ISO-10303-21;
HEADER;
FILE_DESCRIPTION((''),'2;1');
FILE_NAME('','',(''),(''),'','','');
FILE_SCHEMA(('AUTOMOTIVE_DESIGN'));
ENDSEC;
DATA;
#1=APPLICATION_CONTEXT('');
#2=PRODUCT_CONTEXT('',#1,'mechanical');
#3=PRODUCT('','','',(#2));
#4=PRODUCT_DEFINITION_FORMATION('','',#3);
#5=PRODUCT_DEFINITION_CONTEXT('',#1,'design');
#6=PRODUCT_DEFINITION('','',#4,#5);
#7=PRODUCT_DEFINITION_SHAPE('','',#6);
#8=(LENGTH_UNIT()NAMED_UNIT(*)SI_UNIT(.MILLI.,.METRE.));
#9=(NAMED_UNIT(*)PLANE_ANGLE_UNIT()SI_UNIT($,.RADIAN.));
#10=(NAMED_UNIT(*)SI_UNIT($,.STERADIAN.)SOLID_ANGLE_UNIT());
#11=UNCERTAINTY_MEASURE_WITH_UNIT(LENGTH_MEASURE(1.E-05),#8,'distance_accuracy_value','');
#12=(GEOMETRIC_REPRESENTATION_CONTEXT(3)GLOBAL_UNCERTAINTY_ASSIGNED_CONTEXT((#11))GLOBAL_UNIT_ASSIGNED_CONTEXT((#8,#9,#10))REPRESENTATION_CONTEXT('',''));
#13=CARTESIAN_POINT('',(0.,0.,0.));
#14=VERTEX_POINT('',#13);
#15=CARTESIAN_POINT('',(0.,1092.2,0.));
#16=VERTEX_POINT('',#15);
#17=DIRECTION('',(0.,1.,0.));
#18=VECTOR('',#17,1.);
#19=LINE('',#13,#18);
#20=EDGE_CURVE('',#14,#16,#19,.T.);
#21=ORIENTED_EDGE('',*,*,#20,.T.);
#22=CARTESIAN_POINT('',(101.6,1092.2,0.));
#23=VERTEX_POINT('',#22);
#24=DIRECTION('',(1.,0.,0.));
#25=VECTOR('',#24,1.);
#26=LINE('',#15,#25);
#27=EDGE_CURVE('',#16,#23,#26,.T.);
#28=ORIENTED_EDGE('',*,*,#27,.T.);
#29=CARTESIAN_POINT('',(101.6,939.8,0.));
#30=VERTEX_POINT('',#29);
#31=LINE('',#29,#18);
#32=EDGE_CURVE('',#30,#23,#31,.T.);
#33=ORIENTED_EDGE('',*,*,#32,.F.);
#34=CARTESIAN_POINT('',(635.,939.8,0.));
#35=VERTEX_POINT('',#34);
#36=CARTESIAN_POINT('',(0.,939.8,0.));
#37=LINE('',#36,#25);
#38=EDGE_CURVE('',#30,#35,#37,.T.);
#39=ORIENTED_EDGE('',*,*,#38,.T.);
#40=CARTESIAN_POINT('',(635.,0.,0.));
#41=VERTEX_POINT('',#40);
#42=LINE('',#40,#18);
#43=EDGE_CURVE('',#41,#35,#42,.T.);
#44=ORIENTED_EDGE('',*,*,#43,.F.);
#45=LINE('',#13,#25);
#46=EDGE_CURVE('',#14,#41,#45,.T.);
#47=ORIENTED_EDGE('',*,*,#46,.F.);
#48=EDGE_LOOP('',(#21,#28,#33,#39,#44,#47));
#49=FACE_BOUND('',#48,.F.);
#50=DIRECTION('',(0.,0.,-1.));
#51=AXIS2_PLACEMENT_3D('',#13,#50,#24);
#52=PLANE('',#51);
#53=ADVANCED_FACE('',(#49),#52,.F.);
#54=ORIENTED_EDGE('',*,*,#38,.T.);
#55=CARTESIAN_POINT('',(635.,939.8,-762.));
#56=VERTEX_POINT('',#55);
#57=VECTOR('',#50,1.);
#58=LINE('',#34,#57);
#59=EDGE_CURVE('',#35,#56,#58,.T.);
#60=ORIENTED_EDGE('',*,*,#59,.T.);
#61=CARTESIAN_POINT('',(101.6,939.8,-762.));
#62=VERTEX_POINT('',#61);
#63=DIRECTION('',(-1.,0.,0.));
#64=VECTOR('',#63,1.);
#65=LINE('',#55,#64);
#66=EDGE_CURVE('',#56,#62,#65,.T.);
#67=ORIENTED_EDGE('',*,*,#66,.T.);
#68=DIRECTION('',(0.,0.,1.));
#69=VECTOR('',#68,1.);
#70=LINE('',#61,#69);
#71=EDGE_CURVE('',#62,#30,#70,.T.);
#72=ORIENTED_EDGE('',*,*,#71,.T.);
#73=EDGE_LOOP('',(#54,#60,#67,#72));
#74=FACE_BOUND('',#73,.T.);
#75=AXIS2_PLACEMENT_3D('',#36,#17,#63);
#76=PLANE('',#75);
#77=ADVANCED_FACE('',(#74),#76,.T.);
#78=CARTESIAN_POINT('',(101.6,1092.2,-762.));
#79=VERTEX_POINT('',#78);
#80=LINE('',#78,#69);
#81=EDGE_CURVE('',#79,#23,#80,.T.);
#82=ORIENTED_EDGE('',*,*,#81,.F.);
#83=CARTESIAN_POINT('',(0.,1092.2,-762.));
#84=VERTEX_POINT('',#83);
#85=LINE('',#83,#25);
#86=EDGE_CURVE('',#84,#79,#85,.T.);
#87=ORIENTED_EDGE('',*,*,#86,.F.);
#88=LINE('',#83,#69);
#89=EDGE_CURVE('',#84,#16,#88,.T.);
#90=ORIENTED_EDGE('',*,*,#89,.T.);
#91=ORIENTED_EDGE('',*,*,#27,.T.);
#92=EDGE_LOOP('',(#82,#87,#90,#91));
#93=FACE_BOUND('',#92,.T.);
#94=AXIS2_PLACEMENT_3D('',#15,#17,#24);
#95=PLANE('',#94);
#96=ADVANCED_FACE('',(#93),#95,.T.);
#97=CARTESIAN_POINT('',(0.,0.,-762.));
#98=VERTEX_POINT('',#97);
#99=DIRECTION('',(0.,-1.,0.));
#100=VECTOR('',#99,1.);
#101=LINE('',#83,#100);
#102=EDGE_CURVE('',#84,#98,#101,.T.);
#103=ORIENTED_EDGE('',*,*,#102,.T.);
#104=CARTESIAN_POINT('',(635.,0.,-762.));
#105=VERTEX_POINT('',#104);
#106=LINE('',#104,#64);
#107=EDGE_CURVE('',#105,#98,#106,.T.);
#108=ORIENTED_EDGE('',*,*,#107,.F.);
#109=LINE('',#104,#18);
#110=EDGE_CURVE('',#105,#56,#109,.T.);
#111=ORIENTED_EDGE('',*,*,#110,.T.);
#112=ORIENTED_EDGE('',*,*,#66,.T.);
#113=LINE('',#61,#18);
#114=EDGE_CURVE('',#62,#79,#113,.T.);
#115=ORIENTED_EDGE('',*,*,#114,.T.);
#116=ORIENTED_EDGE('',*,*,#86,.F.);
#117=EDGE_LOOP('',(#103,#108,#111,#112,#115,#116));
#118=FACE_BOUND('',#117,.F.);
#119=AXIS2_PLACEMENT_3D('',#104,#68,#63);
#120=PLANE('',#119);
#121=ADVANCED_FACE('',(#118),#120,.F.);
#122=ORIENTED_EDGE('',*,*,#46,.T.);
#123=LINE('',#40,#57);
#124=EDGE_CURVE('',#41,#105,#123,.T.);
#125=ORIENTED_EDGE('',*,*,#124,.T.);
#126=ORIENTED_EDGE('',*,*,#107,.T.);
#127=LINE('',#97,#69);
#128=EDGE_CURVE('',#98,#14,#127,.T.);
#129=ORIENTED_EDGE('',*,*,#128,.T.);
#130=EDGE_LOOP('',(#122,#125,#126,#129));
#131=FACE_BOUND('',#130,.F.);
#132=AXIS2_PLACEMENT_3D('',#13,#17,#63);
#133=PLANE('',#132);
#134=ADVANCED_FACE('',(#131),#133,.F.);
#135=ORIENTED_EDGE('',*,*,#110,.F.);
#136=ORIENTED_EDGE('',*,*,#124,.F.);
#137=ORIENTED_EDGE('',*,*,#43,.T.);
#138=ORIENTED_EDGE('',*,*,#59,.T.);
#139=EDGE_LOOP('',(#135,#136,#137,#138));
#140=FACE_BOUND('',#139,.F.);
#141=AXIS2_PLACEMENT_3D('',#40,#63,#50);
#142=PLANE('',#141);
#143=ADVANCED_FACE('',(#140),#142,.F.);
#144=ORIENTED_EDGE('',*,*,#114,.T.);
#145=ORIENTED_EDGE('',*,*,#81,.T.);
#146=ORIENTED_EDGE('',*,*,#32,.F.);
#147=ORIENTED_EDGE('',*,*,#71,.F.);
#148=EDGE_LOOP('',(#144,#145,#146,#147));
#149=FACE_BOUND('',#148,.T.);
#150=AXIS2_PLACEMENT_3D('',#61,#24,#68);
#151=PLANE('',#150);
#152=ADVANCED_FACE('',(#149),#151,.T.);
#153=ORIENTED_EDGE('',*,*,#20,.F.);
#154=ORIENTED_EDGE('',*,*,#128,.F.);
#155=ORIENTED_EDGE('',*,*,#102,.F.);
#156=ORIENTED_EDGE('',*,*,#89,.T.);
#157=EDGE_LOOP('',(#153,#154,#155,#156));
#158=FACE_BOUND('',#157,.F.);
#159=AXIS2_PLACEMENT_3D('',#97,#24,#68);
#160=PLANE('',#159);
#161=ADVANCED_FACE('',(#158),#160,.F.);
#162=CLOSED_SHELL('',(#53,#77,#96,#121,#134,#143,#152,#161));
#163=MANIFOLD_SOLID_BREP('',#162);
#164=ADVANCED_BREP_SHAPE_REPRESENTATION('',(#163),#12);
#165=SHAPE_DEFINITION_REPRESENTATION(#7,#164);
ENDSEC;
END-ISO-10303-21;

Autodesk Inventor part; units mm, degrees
ref_plane "YZ Plane" through (0, 0, 0) normal (1, 0, 0) x (0, 1, 0)
ref_plane "XZ Plane" through (0, 0, 0) normal (0, 1, 0) x (-1, 0, 0)
ref_plane "XY Plane" through (0, 0, 0) normal (0, 0, 1) x (1, 0, 0)
sketch "Sketch1" plane through (0, 0, 0) normal (0, 1, 0) x (-1, 0, 0)
  line L0 (0, 0) -> (-635, 0)
  line L1 (-635, 0) -> (-635, -762)
  line L2 (-635, -762) -> (0, -762)
  line L3 (0, -762) -> (0, 0)
  dimension "d4" = 762
  dimension "d5" = 635
extrude "Extrusion1" add sketch "Sketch1" along normal blind 939.8
sketch "Sketch2" plane through (0, 939.8, 0) normal (0, 1, 0) x (1, 0, 0)
  line L0 (0, 762) -> (0, 0) projected
  line L1 (0, 0) -> (635, 0) projected
  line L2 (0, 762) -> (101.6, 762)
  line L3 (101.6, 762) -> (101.6, 0)
  line L4 (101.6, 0) -> (0, 0)
  line L5 (0, 0) -> (0, 762)
  dimension "d6" = 101.6
extrude "Extrusion2" add sketch "Sketch2" along normal blind 152.4
properties part number "Stove" material "Stainless Steel"
